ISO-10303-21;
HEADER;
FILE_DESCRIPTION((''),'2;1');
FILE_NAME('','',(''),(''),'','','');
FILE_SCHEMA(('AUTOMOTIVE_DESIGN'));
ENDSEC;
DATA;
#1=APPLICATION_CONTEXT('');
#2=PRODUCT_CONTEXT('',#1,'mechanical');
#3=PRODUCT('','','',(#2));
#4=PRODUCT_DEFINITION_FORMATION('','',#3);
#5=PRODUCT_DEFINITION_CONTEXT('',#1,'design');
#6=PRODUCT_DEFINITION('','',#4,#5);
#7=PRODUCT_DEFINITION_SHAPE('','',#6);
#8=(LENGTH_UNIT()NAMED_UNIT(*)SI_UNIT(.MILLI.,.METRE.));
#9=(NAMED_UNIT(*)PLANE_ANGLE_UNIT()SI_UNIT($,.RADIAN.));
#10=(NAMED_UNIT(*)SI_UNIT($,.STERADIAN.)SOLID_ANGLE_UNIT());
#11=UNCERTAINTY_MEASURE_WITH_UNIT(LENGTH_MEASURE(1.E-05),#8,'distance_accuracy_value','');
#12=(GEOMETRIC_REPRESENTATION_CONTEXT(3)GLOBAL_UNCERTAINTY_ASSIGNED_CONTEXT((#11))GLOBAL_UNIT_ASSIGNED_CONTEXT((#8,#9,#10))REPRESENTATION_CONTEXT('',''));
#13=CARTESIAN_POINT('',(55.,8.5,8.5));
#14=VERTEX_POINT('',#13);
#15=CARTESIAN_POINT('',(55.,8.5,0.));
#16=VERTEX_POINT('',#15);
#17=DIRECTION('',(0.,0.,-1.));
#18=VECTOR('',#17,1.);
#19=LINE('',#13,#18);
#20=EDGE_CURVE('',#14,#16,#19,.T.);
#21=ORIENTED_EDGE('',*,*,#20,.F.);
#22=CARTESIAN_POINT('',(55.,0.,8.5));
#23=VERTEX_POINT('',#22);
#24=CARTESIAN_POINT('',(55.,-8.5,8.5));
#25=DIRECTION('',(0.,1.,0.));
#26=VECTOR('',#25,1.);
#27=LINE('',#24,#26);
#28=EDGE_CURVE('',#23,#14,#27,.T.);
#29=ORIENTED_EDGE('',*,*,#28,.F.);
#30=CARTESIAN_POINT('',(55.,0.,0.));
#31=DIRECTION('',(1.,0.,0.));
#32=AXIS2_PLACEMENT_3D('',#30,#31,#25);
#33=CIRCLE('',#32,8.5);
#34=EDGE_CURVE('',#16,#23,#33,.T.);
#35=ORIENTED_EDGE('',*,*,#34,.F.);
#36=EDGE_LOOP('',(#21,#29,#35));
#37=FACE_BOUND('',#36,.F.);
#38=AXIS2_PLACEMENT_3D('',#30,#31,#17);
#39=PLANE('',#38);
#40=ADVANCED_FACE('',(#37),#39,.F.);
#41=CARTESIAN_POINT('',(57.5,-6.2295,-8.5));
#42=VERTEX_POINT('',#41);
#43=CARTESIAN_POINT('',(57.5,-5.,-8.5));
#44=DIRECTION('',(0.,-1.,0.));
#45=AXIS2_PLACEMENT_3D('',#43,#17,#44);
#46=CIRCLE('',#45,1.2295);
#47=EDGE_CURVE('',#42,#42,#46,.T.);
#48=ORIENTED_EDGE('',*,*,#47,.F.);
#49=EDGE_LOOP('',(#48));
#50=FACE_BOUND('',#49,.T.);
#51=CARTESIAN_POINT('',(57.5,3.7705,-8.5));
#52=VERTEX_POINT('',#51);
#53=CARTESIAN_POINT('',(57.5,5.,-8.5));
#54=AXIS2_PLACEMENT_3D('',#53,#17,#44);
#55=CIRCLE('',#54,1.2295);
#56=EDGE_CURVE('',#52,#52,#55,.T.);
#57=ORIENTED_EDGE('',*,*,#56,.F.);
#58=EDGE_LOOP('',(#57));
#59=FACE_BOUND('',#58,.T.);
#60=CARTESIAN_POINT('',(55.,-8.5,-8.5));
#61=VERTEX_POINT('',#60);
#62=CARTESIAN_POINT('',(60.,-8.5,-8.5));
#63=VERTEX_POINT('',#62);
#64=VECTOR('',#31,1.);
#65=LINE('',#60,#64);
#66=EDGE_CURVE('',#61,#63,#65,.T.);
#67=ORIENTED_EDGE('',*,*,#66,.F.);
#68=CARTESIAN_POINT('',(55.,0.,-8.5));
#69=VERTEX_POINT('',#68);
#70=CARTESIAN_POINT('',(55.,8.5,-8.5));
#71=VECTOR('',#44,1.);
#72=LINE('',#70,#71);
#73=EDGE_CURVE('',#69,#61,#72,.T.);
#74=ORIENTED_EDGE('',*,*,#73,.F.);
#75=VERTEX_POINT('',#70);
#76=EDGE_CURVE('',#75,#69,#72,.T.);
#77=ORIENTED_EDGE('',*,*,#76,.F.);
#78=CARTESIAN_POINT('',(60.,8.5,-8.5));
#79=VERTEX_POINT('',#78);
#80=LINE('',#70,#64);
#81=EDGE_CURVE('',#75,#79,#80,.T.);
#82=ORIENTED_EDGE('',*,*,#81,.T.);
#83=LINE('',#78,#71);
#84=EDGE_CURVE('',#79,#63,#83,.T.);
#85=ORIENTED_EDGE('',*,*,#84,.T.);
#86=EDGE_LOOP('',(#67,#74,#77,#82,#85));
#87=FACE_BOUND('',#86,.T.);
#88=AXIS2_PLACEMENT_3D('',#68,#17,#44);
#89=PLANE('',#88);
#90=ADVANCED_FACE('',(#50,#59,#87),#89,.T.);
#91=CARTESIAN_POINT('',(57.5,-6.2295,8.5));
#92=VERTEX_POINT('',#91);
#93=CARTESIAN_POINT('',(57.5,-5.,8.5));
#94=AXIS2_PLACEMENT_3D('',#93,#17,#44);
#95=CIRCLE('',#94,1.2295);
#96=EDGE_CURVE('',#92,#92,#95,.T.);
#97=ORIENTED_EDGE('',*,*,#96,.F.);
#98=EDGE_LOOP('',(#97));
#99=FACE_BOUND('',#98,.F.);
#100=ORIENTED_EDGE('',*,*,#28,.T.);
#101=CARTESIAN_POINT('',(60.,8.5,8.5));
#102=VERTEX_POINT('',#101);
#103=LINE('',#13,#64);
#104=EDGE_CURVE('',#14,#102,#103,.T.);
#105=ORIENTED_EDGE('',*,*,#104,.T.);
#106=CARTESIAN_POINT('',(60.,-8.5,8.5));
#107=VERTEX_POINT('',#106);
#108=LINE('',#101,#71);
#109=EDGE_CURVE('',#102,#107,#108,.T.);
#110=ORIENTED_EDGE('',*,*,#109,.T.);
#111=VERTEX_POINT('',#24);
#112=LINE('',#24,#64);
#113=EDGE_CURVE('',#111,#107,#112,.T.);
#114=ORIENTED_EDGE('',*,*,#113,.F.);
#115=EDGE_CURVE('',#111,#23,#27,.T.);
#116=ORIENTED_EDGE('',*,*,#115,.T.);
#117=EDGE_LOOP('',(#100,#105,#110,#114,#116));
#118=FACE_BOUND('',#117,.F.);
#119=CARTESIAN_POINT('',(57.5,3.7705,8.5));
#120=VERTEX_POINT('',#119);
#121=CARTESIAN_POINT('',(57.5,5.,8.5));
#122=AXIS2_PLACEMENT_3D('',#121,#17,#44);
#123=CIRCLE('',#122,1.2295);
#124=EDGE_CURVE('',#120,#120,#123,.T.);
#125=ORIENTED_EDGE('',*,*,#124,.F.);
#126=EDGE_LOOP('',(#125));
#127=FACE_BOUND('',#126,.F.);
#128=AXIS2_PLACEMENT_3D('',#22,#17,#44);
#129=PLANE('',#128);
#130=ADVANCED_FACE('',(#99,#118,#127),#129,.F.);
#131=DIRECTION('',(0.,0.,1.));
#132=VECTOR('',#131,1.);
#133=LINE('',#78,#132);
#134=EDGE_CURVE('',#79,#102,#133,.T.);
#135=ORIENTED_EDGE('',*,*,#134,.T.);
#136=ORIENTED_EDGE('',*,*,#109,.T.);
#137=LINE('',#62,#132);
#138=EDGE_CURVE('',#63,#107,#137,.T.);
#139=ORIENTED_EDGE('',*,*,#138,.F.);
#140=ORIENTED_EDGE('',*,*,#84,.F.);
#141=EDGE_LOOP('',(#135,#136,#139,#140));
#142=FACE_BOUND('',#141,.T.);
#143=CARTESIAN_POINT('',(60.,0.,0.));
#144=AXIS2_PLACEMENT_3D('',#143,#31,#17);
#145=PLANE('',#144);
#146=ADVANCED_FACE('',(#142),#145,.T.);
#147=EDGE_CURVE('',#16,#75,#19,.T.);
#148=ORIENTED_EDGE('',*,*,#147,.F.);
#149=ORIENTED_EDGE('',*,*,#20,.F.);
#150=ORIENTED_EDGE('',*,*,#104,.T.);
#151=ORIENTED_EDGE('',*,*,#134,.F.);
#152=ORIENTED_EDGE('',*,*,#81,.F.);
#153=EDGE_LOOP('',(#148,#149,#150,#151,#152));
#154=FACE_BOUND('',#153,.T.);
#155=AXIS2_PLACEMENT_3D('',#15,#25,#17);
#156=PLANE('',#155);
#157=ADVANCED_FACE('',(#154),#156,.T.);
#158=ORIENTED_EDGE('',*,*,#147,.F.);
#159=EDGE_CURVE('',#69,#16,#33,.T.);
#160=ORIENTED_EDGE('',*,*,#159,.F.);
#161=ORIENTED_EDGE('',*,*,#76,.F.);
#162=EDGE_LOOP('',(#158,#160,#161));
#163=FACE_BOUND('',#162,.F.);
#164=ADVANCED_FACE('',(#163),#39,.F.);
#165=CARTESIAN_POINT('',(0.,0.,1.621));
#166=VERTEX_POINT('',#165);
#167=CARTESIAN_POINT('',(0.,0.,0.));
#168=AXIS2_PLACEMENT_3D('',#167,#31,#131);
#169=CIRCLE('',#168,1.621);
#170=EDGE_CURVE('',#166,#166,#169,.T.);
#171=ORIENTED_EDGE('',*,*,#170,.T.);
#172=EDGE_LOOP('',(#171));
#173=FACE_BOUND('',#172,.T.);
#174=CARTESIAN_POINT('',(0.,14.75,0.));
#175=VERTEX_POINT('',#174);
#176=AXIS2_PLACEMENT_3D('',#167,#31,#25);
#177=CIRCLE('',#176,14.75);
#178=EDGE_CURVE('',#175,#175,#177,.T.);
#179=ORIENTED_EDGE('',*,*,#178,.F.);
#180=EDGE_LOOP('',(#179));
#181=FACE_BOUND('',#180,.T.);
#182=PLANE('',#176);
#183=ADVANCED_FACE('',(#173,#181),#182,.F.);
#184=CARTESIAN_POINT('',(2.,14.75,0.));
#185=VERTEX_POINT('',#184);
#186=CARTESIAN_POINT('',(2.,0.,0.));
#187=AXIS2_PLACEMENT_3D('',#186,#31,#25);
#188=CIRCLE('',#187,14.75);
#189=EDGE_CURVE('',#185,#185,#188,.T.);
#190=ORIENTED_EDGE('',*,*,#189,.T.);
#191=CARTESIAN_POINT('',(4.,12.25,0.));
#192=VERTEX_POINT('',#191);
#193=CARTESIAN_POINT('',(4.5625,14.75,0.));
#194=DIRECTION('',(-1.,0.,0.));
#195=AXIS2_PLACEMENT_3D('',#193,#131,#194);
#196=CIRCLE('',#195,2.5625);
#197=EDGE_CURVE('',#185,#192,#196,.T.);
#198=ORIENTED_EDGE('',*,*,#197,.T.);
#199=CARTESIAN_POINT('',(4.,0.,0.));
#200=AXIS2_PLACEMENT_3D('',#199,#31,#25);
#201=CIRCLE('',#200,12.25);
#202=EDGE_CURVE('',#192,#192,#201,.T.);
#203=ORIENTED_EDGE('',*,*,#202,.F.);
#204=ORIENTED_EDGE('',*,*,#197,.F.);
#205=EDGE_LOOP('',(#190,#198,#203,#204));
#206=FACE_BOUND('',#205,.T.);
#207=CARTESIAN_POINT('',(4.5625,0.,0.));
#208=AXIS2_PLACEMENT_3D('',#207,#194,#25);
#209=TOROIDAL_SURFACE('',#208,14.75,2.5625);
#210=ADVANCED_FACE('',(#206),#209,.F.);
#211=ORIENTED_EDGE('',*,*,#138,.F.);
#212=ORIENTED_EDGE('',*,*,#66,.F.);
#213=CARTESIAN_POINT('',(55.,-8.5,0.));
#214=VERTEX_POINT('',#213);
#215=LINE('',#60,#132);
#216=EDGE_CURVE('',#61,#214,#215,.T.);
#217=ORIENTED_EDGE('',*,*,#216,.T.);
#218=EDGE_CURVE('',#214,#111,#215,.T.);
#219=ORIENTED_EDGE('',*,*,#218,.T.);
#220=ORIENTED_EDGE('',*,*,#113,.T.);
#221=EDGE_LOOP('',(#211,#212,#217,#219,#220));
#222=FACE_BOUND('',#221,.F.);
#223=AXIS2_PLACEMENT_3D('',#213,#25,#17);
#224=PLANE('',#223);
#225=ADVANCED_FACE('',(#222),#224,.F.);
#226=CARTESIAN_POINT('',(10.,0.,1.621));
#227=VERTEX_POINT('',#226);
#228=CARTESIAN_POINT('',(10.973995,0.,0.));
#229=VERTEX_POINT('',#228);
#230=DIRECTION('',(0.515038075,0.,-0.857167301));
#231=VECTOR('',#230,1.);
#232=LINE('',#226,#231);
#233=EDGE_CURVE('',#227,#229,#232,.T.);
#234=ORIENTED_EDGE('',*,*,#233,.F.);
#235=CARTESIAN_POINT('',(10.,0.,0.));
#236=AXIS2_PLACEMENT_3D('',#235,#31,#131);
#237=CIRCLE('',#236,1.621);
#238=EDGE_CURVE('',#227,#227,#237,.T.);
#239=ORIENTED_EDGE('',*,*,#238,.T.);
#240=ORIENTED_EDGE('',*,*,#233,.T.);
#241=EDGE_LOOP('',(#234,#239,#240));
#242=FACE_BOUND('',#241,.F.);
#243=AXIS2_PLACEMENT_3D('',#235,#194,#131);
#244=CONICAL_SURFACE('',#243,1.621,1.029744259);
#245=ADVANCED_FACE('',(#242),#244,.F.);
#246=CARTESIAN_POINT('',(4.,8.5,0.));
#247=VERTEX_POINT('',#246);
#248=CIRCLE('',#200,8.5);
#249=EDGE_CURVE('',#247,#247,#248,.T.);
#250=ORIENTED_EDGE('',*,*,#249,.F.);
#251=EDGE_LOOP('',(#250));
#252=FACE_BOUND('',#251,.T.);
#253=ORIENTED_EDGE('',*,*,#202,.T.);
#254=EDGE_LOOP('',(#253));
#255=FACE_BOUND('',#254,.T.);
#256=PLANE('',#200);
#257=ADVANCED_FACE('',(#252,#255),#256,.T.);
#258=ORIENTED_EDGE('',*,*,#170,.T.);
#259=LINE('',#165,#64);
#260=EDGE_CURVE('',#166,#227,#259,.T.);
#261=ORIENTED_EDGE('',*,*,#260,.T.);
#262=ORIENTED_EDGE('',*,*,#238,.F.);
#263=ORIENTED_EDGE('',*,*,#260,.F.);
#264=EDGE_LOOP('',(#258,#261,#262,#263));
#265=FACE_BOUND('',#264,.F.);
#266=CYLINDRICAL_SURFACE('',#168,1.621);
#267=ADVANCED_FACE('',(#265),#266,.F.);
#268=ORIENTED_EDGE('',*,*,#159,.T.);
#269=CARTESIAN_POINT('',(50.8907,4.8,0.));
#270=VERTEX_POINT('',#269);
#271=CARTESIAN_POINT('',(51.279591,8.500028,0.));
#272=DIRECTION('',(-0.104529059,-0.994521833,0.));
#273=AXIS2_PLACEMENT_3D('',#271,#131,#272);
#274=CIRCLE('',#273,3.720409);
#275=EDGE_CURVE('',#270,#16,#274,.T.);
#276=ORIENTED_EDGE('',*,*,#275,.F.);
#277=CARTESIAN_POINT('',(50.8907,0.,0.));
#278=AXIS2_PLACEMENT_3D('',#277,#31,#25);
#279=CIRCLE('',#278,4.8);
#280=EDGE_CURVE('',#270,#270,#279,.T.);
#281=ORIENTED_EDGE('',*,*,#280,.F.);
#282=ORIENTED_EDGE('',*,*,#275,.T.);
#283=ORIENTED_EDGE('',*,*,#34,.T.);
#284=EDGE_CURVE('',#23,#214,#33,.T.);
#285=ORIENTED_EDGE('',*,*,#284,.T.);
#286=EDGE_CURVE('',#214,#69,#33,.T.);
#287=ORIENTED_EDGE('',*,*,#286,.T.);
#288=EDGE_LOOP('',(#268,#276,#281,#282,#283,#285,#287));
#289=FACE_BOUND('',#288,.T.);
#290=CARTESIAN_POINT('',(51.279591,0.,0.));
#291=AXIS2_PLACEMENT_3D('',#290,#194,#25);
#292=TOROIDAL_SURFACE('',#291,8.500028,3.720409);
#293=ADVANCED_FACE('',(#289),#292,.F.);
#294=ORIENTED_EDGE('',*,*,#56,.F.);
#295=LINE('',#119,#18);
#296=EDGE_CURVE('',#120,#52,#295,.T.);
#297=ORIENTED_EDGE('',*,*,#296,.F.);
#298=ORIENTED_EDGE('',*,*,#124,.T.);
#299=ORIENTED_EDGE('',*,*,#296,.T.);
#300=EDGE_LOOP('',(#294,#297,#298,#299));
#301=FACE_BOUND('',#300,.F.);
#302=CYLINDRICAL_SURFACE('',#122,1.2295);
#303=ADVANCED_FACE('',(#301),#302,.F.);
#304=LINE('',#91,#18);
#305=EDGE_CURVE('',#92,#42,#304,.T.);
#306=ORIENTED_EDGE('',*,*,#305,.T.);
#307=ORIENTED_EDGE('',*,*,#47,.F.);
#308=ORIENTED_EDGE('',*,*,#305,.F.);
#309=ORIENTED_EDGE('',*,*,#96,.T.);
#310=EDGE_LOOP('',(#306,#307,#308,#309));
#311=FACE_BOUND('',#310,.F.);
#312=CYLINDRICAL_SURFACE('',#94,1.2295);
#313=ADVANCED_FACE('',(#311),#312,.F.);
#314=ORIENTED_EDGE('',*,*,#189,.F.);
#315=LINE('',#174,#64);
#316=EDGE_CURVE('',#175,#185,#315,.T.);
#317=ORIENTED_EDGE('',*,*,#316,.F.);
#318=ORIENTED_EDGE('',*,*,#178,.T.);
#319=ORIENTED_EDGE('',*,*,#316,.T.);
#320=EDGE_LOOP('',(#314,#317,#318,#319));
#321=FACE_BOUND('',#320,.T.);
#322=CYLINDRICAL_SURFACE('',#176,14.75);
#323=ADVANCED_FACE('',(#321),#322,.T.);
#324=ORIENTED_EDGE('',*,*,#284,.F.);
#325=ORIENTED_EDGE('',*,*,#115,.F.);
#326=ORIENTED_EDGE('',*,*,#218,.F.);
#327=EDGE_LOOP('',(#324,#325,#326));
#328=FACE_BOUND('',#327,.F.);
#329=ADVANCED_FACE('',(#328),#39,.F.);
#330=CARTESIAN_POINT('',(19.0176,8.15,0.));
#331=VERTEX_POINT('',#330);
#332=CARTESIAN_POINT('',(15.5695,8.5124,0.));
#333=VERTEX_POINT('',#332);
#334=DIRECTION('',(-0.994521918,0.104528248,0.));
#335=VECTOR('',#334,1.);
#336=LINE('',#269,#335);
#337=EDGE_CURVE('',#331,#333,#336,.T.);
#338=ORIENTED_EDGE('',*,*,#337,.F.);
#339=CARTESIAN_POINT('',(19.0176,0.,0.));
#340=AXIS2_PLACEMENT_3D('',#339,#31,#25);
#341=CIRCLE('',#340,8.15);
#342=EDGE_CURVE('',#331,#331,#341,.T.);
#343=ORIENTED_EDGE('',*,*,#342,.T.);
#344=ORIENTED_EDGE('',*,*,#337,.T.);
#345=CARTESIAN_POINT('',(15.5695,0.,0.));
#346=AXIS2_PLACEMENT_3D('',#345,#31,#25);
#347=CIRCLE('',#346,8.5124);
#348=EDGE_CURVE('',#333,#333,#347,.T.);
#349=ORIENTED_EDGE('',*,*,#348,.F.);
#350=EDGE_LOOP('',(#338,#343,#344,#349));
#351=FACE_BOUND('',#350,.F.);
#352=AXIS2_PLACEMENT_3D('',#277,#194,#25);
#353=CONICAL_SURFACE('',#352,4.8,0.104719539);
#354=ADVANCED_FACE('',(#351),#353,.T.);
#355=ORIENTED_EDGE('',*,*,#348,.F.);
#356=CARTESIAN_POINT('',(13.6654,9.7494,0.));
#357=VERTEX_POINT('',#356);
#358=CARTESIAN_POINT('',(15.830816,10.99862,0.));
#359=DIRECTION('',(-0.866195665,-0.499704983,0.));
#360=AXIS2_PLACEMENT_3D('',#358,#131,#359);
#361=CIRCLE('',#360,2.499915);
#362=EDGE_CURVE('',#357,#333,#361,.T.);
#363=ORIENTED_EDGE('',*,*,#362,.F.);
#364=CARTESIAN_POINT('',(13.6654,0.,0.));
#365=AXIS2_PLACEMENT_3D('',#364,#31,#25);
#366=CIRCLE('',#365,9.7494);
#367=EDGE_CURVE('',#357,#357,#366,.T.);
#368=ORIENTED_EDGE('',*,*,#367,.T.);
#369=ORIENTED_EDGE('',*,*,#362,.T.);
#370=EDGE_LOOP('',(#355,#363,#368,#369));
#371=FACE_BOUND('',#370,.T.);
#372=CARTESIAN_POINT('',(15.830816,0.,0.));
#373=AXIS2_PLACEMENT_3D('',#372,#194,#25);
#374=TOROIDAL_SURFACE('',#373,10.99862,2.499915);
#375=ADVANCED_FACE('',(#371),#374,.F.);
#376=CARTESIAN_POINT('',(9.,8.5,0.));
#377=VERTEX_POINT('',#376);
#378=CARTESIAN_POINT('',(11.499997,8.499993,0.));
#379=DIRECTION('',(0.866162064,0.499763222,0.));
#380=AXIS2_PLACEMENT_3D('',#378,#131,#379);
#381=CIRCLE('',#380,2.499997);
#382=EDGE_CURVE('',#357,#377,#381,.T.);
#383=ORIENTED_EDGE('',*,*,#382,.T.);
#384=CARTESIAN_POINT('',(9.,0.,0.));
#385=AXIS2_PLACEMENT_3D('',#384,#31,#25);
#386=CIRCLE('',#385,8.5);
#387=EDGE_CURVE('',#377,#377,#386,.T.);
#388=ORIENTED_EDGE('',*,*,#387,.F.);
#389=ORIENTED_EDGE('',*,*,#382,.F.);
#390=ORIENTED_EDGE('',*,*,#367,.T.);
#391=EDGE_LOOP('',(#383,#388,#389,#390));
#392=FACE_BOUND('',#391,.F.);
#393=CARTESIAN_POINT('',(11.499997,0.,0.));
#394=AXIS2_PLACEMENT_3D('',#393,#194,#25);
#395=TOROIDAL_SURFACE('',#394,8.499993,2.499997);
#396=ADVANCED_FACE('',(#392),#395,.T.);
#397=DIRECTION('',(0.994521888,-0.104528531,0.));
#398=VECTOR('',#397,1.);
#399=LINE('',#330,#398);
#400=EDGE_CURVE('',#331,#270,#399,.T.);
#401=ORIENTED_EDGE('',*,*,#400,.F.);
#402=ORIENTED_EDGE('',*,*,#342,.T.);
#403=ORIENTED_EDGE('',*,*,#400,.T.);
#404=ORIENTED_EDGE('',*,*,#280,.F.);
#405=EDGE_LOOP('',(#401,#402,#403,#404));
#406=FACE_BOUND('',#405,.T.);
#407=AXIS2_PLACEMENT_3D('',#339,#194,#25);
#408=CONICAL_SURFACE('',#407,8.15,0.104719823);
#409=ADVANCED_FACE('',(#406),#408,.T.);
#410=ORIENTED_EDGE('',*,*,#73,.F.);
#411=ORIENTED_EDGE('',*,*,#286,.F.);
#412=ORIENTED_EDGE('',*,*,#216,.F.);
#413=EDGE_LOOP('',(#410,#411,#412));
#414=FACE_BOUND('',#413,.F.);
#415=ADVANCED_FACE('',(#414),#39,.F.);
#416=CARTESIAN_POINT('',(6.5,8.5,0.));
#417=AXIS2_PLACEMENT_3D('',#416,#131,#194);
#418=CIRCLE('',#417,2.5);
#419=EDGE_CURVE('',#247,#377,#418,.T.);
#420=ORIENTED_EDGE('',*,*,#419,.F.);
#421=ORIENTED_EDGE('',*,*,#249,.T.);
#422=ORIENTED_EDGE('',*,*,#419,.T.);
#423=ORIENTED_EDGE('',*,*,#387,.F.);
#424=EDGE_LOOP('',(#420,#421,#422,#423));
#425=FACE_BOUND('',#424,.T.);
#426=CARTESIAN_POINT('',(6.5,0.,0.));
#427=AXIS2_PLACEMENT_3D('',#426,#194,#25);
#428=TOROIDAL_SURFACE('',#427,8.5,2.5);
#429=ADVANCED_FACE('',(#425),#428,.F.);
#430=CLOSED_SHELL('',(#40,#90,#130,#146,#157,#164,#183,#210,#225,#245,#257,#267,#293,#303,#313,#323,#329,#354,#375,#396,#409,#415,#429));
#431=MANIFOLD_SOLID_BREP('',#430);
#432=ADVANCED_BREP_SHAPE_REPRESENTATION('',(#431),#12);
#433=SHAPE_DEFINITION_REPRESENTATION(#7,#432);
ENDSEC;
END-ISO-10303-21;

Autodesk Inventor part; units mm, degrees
ref_plane "YZ Plane" through (0, 0, 0) normal (1, 0, 0) x (0, 1, 0)
ref_plane "XZ Plane" through (0, 0, 0) normal (0, 1, 0) x (-1, 0, 0)
ref_plane "XY Plane" through (0, 0, 0) normal (0, 0, 1) x (1, 0, 0)
sketch "Skizze1" plane through (0, 0, 0) normal (0, 0, 1) x (1, 0, 0)
  line L0 (-11.1647, 0) -> (66.9884, 0) projected
  line L1 (0, -2.95) -> (0, 17.7) projected
  line L2 (0, 14.75) -> (0, 0)
  line L3 (0, 14.75) -> (2, 14.75)
  arc A0 (2, 14.75) -> (4, 12.25) centre (4.5625, 14.75) ccw
  line L4 (4, 12.25) -> (4, 8.5)
  arc A1 (4, 8.5) -> (9, 8.5) centre (6.5, 8.5) ccw
  arc A2 (50.8907, 4.8) -> (55, 8.5) centre (51.2796, 8.5) ccw
  line L5 (55, 8.5) -> (55, 0)
  line L6 (0, 0) -> (55, 0)
  arc A3 (50.8907, 4.8) -> (55, 8.5) centre (51.2796, 8.5) ccw
  line L7 (19.0176, 8.15) -> (50.8907, 4.8)
  arc A4 (4, 8.5) -> (9, 8.5) centre (6.5, 8.5) ccw
  arc A5 (13.6654, 9.7494) -> (9, 8.5) centre (11.5, 8.5) ccw
  line L8 (50.8907, 4.8) -> (15.5695, 8.5124)
  arc A6 (13.6654, 9.7494) -> (15.5695, 8.5124) centre (15.8309, 10.9987) ccw
  dimension "d0" = 29.5
  dimension "d1" = 24.5
  dimension "d2" = 4
  dimension "d3" = 2
  dimension "d7" = 12
  dimension "d10" = 9.6
  dimension "d11" = 9
  dimension "d12" = 17
  dimension "d13" = 55
  dimension "d18" = 6
  dimension "d20" = 16.3
  dimension "d24" = 22
  dimension "d25" = 6
  dimension "d26" = 2.5
revolve "Grundkörper dre" add sketch "Skizze1" angle 360 about axis through (-10, 0, 0) along (1, 0, 0)
sketch "Skizze2" plane through (55, 0, 0) normal (1, 0, 0) x (0, 0, -1)
  circle A0 centre (0, 0) radius 12.25 projected
  line L0 (20.65, 0) -> (-20.65, 0) projected
  line L1 (0, -20.65) -> (0, 20.65) projected
  line L2 (-8.5, 8.5) -> (8.5, 8.5)
  line L3 (8.5, 8.5) -> (8.5, -8.5)
  circle A1 centre (0, 0) radius 11 projected
  line L4 (-8.5, 8.5) -> (-8.5, -8.5)
  line L5 (-8.5, -8.5) -> (8.5, -8.5)
  circle A2 centre (0, 0) radius 8.5 projected
  point P0 (8.5, 0)
  dimension "d31" = 17
  dimension "d32" = 17
extrude "Grundkörper ex" add sketch "Skizze2" along normal blind 5 contours A2 L1 L0 | A2 L2 A1 L3 | L0 L1 A2 | L3 A1 L5 A2 | A1 L2 L3 | L3 L5 A1 | A2 L4 A1 L2 | L1 L0 A2 | A1 L4 L2 | A2 L0 L1 | L5 A1 L4 A2 | L5 L4 A1
sketch "Skizze3" plane through (55, -8.5, 8.5) normal (0, 0, 1) x (1, 0, 0)
  line L0 (-67, 8.5) -> (17, 8.5) projected
  line L1 (0, 0) -> (0, 8.5) projected
  line L2 (0, 0) -> (5, 0) projected
  line L3 (5, 17) -> (5, 0) projected
  line L4 (0, 17) -> (5, 17) projected
  line L5 (0, 8.5) -> (0, 17) projected
  point P0 (-55, 8.5)
  point P1 (2.5, 3.5)
  point P2 (2.5, 13.5)
  dimension "d35" = 2.5
  dimension "d36" = 2.5
  dimension "d37" = 10
hole "Bohrung1" at (57.5, -5, 8.5) at (57.5, 5, 8.5) direction (0, 0, -1) diameter 2.459 end through all thread size "M3x0.5" class "6H" standard "ISO Metric profile"
sketch "Skizze4" plane through (0, 0, 0) normal (-1, 0, 0) x (0, 0, 1)
  point P0 (0, 0)
  point P1 (0, 0)
hole "Bohrung2" at (0, 0, 0) direction (1, 0, 0) diameter 3.242 depth 10 tip angle 118 thread size "M4x0.7" class "6H" standard "ISO Metric profile"
properties part number "Maschienensäule"
